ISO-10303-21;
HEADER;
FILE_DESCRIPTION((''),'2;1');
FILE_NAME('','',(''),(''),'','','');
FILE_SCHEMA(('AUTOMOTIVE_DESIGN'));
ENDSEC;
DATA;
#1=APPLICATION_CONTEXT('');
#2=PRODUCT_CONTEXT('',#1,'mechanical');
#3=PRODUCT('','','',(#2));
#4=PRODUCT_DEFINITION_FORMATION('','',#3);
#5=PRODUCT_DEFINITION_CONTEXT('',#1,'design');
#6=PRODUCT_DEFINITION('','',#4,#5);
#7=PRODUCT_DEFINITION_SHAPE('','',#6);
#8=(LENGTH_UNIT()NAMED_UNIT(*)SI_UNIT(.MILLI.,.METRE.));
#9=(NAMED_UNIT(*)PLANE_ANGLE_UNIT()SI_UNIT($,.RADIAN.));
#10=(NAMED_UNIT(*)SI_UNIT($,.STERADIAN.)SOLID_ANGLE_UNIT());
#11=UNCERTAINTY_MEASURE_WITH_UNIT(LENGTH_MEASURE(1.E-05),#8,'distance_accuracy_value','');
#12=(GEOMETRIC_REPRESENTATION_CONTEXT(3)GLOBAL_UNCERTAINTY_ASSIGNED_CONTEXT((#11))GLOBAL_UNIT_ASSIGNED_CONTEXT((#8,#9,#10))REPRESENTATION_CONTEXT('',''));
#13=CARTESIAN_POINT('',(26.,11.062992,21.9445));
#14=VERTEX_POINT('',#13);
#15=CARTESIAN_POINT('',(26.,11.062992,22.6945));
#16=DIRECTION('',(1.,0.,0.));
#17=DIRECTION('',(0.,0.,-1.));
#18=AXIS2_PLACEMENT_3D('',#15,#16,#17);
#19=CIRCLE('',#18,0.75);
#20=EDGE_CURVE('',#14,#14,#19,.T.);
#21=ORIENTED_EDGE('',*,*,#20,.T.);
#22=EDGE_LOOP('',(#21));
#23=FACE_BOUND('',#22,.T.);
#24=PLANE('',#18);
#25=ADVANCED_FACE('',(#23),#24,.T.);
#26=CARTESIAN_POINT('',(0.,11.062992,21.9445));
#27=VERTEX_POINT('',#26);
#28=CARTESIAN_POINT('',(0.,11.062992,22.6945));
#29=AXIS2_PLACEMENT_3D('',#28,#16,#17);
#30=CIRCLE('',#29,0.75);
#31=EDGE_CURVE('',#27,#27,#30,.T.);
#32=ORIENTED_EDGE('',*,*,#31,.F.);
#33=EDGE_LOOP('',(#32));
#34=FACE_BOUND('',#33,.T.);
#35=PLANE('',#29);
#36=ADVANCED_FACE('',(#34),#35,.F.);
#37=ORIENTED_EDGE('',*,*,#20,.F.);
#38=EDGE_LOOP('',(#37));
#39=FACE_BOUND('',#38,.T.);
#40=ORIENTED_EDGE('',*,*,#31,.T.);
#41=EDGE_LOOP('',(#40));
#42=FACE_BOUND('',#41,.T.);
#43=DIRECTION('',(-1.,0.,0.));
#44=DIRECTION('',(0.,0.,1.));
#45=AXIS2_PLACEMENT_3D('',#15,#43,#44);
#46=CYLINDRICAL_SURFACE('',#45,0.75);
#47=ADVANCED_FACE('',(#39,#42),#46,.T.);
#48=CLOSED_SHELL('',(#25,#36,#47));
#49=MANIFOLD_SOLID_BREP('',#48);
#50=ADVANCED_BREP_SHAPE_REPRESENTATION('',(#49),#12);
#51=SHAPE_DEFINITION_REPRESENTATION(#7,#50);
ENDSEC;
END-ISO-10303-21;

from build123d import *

# Parameters (mm, degrees)
SKETCH1_R           = 0.75
BOSS_EXTRUDE1_DEPTH = 26


with BuildPart() as part:
    # Sketch1 → Boss-Extrude1 (new body)
    with BuildSketch(Plane(origin=(0, 0, 0), x_dir=(0, 0, -1), z_dir=(1, 0, 0))):
        with Locations((-22.694500217, 11.062992171)):
            Circle(SKETCH1_R)
    extrude(amount=BOSS_EXTRUDE1_DEPTH)


solid = part.part
